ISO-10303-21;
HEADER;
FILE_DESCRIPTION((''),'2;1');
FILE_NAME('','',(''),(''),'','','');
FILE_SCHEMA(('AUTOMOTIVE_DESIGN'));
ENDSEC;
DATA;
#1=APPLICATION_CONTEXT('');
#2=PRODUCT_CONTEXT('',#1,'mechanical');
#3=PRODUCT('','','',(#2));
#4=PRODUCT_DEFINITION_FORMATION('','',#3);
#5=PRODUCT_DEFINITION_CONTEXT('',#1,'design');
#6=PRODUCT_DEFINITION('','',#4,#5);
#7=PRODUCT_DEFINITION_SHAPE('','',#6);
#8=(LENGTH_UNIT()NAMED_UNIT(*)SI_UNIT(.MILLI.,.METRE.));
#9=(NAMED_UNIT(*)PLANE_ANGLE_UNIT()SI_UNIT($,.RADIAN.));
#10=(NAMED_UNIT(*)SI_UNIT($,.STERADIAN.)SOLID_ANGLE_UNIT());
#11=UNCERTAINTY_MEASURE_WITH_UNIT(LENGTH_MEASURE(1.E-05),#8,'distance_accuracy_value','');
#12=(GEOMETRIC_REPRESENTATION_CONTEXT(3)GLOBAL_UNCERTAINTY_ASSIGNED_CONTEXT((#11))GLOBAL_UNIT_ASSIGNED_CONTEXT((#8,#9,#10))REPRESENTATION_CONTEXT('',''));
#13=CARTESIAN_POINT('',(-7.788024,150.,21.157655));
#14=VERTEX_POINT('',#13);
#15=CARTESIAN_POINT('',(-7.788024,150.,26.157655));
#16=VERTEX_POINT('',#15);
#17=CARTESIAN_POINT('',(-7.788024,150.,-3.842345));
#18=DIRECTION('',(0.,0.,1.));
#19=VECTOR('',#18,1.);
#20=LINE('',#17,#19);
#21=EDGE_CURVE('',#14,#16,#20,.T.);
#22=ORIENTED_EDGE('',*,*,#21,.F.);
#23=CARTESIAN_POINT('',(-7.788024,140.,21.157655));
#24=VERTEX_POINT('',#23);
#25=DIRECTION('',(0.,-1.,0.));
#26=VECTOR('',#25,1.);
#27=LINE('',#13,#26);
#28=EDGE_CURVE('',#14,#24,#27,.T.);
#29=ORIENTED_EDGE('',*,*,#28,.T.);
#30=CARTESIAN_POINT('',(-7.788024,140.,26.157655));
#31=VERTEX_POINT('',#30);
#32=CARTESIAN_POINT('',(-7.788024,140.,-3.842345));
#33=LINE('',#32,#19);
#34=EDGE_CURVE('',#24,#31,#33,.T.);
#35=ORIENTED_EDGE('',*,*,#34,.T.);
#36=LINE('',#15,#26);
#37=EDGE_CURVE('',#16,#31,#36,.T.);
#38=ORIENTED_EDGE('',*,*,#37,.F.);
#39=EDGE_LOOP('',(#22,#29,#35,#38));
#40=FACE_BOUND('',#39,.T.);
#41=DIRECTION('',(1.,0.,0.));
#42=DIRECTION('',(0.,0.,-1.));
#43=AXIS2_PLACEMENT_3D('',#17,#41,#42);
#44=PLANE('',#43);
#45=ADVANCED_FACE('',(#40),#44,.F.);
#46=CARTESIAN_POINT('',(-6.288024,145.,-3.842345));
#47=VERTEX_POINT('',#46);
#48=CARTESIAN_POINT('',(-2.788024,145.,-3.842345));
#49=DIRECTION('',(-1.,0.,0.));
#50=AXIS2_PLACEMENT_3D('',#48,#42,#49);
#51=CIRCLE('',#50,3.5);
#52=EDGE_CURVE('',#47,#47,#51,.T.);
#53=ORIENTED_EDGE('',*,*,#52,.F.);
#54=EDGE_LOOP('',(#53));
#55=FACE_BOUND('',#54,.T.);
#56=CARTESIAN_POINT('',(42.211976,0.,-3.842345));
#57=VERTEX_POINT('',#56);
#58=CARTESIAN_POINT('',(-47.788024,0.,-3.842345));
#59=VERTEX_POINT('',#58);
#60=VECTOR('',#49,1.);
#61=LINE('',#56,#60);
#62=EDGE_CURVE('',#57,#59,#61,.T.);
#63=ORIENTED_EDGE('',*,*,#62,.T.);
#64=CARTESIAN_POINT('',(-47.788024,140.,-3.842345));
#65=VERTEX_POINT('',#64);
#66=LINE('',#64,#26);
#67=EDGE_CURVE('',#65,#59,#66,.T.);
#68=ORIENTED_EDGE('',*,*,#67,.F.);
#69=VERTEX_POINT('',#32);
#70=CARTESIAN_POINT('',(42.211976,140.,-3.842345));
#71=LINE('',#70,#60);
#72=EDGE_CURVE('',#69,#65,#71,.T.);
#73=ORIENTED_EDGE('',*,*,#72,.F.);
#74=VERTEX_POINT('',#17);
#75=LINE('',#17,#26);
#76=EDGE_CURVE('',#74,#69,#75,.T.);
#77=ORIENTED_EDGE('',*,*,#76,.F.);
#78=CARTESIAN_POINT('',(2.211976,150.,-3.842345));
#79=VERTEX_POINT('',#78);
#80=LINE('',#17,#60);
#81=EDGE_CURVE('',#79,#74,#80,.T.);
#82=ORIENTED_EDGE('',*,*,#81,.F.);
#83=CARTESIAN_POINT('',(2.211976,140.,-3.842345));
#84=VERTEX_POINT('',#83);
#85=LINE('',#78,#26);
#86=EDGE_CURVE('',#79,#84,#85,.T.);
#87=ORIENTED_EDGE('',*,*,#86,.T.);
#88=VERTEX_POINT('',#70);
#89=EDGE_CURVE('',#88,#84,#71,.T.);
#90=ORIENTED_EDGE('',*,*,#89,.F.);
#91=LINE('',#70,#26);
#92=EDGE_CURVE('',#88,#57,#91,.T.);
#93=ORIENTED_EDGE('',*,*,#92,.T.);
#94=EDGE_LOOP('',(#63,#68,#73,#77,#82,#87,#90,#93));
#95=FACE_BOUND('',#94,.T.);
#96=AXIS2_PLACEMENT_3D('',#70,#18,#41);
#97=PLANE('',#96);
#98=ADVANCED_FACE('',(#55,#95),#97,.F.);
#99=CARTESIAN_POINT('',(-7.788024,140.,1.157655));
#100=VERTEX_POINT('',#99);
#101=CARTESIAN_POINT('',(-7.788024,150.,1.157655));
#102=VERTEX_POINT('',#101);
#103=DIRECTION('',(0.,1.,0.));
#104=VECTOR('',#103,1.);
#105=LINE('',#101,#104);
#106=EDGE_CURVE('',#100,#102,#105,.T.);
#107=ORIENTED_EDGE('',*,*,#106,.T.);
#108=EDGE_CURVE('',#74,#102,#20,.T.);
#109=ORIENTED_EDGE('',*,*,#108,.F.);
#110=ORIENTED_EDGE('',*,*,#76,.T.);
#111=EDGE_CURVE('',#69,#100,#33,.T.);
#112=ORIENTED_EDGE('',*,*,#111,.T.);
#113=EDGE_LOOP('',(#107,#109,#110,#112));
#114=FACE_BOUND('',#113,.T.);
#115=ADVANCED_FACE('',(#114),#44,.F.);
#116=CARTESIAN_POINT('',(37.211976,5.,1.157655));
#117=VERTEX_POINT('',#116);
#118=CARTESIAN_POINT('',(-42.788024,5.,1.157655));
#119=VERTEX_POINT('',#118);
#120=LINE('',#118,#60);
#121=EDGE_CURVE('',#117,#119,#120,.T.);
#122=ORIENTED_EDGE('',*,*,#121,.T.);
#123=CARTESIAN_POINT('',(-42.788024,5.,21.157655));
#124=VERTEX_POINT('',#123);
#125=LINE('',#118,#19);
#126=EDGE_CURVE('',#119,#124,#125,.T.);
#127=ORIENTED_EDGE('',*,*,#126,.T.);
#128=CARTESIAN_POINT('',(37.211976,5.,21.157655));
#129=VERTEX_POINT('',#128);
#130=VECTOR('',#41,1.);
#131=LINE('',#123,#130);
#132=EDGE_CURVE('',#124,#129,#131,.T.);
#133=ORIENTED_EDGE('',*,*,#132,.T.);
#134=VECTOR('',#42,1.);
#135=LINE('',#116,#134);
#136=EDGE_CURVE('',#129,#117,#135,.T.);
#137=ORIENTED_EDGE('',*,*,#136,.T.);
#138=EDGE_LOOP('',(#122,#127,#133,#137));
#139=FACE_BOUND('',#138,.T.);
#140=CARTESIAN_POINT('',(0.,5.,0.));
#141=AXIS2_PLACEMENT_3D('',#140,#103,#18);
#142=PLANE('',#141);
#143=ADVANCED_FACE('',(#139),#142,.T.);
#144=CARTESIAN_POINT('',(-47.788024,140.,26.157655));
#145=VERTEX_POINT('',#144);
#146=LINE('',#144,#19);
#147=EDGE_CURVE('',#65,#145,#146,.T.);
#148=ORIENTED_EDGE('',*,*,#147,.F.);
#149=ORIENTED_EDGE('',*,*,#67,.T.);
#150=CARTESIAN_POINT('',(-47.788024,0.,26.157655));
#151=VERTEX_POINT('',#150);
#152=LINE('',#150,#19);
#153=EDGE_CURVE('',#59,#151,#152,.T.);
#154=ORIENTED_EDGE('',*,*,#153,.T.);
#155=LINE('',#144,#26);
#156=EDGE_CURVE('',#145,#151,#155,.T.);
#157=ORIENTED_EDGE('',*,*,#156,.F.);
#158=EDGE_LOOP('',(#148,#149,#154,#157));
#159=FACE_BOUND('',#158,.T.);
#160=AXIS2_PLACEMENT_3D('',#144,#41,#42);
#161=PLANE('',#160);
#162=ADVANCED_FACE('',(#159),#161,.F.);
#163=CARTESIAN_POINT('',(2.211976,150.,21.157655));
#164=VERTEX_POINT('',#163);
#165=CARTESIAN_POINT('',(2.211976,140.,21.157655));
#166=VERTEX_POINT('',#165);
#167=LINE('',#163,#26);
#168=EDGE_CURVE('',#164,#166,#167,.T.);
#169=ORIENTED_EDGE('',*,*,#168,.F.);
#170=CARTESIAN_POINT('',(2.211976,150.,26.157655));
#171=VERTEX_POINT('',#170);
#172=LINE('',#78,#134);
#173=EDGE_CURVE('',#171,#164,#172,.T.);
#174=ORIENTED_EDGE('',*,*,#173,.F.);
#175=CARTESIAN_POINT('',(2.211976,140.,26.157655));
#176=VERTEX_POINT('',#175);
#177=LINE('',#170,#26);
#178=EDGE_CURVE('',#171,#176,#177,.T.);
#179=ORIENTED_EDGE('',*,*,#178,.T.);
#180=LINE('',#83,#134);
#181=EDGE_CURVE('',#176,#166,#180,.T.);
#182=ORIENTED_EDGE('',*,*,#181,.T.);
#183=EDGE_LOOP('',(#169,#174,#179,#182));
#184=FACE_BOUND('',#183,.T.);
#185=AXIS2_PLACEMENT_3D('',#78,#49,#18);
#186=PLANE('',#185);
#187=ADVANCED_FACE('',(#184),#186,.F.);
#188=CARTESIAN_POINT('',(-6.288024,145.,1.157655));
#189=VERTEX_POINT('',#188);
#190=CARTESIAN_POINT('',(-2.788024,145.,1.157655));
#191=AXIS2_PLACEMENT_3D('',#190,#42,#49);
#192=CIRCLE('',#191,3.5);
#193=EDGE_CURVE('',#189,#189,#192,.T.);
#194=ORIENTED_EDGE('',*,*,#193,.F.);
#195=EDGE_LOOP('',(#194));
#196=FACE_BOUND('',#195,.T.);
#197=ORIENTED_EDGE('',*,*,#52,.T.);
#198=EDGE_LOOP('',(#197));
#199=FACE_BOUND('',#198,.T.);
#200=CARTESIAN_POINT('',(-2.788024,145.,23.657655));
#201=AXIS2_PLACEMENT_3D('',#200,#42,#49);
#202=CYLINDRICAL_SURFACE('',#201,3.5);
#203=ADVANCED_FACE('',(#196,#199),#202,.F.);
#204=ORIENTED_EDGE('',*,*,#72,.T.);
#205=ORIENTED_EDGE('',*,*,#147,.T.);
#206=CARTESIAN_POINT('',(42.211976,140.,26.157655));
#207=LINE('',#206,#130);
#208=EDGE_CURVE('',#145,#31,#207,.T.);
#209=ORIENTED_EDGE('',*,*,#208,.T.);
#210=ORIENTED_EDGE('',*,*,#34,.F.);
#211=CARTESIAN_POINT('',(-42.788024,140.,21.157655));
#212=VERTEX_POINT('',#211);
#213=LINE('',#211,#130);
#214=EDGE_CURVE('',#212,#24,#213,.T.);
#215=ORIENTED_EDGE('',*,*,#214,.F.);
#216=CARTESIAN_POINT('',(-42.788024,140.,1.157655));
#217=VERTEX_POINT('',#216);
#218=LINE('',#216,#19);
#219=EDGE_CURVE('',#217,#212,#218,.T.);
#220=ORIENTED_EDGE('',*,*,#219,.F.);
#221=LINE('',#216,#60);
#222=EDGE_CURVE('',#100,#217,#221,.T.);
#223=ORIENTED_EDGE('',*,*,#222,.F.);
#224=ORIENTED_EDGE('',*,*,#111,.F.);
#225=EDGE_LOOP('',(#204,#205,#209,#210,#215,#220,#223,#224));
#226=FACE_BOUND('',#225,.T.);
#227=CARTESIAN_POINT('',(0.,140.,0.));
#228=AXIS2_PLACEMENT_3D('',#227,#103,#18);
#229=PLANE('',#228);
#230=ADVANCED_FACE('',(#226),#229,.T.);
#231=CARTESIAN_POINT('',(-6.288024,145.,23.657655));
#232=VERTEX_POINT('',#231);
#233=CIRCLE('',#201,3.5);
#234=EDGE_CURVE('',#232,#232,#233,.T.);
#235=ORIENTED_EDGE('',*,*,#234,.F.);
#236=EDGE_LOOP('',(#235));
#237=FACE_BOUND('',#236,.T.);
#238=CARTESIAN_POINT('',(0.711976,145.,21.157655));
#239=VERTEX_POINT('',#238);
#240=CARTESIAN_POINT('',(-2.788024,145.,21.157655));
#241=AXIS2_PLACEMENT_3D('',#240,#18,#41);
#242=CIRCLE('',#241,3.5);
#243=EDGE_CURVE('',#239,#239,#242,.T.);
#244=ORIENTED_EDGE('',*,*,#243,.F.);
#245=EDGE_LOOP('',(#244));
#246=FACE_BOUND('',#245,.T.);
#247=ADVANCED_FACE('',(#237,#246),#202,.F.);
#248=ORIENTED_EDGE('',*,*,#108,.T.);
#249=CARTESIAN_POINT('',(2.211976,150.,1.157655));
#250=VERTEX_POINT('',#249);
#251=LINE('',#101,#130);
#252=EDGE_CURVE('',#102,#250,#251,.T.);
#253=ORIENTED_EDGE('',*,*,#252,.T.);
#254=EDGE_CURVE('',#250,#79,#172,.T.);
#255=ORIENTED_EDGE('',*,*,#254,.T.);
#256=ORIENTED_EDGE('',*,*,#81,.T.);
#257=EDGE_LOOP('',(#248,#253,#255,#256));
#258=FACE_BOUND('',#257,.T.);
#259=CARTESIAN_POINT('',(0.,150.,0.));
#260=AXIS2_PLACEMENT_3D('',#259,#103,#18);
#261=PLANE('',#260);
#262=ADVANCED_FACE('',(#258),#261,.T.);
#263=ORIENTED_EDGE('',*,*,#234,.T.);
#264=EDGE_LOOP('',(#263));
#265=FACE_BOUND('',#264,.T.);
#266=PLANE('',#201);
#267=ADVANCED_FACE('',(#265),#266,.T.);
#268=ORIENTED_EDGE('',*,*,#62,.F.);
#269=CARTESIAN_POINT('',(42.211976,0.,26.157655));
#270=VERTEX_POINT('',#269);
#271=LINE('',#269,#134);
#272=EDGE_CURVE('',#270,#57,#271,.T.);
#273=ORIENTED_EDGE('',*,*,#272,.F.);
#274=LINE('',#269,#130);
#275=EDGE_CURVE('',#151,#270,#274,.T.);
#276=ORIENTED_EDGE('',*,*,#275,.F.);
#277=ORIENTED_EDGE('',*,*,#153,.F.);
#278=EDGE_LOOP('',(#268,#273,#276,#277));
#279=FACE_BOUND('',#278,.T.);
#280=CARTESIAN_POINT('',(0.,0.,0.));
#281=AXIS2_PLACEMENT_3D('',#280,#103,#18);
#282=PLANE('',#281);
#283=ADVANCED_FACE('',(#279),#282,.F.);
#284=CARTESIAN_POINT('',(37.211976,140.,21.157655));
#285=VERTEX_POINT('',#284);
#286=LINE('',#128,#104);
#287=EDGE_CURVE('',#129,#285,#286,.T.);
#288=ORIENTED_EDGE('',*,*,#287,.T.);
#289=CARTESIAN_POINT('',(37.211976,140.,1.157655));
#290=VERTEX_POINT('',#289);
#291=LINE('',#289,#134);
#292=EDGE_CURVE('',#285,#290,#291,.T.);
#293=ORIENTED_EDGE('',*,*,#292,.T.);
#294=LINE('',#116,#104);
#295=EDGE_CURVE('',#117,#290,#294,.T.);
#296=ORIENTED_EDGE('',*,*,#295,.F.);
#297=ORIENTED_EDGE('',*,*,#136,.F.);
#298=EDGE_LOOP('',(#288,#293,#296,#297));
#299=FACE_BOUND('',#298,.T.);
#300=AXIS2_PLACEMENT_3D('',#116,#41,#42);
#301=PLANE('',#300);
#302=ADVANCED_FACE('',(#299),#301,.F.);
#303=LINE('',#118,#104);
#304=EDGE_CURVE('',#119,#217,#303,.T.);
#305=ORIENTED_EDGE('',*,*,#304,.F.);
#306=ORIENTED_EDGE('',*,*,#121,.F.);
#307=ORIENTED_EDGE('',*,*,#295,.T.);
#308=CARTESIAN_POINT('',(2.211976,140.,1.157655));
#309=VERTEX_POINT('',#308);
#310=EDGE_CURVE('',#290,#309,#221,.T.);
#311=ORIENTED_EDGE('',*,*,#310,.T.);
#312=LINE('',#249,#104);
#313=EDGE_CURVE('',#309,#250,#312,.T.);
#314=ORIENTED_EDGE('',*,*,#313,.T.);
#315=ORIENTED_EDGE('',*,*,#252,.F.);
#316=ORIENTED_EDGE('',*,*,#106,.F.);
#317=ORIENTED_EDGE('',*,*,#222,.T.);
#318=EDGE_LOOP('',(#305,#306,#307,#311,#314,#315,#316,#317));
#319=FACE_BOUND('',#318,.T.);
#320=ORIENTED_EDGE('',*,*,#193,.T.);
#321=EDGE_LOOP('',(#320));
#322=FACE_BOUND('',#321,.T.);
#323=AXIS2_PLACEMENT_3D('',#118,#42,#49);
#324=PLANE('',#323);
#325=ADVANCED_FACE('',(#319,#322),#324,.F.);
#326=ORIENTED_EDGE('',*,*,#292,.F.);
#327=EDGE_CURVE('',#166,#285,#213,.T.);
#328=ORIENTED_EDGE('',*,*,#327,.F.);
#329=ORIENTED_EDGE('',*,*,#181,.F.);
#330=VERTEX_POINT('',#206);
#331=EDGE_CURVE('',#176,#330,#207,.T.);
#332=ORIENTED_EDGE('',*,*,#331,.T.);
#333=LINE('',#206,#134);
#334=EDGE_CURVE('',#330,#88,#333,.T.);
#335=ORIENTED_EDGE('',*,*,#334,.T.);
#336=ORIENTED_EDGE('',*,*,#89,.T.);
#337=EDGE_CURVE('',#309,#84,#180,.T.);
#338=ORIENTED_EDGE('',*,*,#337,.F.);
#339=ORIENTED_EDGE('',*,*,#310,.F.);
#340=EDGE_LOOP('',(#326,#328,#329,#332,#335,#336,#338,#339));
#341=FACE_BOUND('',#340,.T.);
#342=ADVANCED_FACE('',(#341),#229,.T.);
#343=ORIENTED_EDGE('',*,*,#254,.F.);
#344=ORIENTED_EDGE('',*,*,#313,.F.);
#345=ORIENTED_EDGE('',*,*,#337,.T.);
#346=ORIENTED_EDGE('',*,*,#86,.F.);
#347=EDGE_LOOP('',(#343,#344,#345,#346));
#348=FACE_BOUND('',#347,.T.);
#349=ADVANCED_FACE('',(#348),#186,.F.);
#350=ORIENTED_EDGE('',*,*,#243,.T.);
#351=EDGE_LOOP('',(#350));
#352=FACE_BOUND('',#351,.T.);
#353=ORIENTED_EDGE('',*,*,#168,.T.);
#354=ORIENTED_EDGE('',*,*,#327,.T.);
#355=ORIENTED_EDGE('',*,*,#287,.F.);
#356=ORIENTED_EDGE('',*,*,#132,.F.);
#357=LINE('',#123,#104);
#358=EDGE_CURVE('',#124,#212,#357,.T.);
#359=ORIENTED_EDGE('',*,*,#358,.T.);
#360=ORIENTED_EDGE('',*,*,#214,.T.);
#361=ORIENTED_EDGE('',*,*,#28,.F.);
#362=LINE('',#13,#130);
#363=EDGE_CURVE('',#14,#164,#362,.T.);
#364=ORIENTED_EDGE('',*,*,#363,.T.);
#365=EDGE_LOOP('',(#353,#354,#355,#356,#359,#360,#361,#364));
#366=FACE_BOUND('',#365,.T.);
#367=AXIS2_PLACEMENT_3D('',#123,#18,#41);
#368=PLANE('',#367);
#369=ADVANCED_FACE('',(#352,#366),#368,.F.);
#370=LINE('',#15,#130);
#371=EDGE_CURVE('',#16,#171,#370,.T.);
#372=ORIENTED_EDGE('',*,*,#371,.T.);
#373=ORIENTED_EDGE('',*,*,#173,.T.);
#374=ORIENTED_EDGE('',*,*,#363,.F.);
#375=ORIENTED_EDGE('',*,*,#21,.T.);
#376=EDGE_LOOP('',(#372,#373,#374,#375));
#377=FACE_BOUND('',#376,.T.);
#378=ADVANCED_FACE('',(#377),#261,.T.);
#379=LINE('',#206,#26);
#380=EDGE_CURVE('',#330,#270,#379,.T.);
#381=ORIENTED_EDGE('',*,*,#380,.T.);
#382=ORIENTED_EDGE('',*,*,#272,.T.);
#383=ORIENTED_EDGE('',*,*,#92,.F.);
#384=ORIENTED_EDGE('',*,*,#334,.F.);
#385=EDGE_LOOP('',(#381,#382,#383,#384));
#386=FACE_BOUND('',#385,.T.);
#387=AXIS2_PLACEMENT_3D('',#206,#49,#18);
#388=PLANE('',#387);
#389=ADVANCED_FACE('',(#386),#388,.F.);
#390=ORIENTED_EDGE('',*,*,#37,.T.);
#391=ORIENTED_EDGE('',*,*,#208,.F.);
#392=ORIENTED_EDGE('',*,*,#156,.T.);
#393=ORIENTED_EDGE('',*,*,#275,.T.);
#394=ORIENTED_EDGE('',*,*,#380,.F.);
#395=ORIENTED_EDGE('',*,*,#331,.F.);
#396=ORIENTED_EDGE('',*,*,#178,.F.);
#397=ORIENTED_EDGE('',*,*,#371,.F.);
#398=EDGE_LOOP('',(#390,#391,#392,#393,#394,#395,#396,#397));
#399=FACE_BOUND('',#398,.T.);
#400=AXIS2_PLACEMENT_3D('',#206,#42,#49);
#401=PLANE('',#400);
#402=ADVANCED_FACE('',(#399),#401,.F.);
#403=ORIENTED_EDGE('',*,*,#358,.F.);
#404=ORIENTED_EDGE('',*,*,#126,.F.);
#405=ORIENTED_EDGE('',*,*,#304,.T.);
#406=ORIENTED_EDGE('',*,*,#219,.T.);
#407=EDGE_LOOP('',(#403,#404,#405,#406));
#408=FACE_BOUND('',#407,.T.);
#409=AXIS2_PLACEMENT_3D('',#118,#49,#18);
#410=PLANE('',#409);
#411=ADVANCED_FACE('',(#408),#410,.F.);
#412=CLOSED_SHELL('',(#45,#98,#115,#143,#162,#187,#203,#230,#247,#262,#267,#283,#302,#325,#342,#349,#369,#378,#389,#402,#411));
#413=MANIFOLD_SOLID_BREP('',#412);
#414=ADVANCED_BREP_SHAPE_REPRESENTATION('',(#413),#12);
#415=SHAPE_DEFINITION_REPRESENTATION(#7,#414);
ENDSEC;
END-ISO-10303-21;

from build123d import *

# Parameters (mm, degrees)
SKETCH1_W           = 90
SKETCH1_H           = 30
BOSS_EXTRUDE1_DEPTH = 140
SKETCH2_W           = 80
SKETCH2_H           = 20
CUT_EXTRUDE1_DEPTH  = 135
SKETCH4_W           = 10
SKETCH4_H           = 30
BOSS_EXTRUDE2_DEPTH = 10
SKETCH7_W           = 20
SKETCH7_H           = 10
CUT_EXTRUDE3_DEPTH  = 10
SKETCH5_R           = 3.5
CUT_EXTRUDE4_DEPTH  = 27.5


with BuildPart() as part:
    # Sketch1 → Boss-Extrude1 (new body)
    with BuildSketch(Plane(origin=(0, 0, 0), x_dir=(1, 0, 0), z_dir=(0, 1, 0))):
        with Locations((-2.788023643, -11.157655047)):
            Rectangle(SKETCH1_W, SKETCH1_H)
    extrude(amount=BOSS_EXTRUDE1_DEPTH)

    # Sketch2 → Cut-Extrude1 (cut)
    with BuildSketch(Plane(origin=(0, 140, 0), x_dir=(1, 0, 0), z_dir=(0, 1, 0))):
        with Locations((-2.788023643, -11.157655047)):
            Rectangle(SKETCH2_W, SKETCH2_H)
    extrude(amount=-CUT_EXTRUDE1_DEPTH, mode=Mode.SUBTRACT)

    # Sketch4 → Boss-Extrude2 (add)
    with BuildSketch(Plane(origin=(0, 140, 0), x_dir=(1, 0, 0), z_dir=(0, 1, 0))):
        with Locations((-2.788023643, -11.157655047)):
            Rectangle(SKETCH4_W, SKETCH4_H)
    extrude(amount=BOSS_EXTRUDE2_DEPTH)

    # Sketch7 → Cut-Extrude3 (cut)
    with BuildSketch(Plane(origin=(2.211976357, 0, 0), x_dir=(0, 0, -1), z_dir=(1, 0, 0))):
        with Locations((-11.157655047, 145)):
            Rectangle(SKETCH7_W, SKETCH7_H)
    extrude(amount=-CUT_EXTRUDE3_DEPTH, mode=Mode.SUBTRACT)

    # Sketch5 → Cut-Extrude4 (cut)
    with BuildSketch(Plane(origin=(0, 0, -3.842344953), x_dir=(-1, 0, 0), z_dir=(0, 0, -1))):
        with Locations((2.788023643, 145)):
            Circle(SKETCH5_R)
    extrude(amount=-CUT_EXTRUDE4_DEPTH, mode=Mode.SUBTRACT)


solid = part.part
